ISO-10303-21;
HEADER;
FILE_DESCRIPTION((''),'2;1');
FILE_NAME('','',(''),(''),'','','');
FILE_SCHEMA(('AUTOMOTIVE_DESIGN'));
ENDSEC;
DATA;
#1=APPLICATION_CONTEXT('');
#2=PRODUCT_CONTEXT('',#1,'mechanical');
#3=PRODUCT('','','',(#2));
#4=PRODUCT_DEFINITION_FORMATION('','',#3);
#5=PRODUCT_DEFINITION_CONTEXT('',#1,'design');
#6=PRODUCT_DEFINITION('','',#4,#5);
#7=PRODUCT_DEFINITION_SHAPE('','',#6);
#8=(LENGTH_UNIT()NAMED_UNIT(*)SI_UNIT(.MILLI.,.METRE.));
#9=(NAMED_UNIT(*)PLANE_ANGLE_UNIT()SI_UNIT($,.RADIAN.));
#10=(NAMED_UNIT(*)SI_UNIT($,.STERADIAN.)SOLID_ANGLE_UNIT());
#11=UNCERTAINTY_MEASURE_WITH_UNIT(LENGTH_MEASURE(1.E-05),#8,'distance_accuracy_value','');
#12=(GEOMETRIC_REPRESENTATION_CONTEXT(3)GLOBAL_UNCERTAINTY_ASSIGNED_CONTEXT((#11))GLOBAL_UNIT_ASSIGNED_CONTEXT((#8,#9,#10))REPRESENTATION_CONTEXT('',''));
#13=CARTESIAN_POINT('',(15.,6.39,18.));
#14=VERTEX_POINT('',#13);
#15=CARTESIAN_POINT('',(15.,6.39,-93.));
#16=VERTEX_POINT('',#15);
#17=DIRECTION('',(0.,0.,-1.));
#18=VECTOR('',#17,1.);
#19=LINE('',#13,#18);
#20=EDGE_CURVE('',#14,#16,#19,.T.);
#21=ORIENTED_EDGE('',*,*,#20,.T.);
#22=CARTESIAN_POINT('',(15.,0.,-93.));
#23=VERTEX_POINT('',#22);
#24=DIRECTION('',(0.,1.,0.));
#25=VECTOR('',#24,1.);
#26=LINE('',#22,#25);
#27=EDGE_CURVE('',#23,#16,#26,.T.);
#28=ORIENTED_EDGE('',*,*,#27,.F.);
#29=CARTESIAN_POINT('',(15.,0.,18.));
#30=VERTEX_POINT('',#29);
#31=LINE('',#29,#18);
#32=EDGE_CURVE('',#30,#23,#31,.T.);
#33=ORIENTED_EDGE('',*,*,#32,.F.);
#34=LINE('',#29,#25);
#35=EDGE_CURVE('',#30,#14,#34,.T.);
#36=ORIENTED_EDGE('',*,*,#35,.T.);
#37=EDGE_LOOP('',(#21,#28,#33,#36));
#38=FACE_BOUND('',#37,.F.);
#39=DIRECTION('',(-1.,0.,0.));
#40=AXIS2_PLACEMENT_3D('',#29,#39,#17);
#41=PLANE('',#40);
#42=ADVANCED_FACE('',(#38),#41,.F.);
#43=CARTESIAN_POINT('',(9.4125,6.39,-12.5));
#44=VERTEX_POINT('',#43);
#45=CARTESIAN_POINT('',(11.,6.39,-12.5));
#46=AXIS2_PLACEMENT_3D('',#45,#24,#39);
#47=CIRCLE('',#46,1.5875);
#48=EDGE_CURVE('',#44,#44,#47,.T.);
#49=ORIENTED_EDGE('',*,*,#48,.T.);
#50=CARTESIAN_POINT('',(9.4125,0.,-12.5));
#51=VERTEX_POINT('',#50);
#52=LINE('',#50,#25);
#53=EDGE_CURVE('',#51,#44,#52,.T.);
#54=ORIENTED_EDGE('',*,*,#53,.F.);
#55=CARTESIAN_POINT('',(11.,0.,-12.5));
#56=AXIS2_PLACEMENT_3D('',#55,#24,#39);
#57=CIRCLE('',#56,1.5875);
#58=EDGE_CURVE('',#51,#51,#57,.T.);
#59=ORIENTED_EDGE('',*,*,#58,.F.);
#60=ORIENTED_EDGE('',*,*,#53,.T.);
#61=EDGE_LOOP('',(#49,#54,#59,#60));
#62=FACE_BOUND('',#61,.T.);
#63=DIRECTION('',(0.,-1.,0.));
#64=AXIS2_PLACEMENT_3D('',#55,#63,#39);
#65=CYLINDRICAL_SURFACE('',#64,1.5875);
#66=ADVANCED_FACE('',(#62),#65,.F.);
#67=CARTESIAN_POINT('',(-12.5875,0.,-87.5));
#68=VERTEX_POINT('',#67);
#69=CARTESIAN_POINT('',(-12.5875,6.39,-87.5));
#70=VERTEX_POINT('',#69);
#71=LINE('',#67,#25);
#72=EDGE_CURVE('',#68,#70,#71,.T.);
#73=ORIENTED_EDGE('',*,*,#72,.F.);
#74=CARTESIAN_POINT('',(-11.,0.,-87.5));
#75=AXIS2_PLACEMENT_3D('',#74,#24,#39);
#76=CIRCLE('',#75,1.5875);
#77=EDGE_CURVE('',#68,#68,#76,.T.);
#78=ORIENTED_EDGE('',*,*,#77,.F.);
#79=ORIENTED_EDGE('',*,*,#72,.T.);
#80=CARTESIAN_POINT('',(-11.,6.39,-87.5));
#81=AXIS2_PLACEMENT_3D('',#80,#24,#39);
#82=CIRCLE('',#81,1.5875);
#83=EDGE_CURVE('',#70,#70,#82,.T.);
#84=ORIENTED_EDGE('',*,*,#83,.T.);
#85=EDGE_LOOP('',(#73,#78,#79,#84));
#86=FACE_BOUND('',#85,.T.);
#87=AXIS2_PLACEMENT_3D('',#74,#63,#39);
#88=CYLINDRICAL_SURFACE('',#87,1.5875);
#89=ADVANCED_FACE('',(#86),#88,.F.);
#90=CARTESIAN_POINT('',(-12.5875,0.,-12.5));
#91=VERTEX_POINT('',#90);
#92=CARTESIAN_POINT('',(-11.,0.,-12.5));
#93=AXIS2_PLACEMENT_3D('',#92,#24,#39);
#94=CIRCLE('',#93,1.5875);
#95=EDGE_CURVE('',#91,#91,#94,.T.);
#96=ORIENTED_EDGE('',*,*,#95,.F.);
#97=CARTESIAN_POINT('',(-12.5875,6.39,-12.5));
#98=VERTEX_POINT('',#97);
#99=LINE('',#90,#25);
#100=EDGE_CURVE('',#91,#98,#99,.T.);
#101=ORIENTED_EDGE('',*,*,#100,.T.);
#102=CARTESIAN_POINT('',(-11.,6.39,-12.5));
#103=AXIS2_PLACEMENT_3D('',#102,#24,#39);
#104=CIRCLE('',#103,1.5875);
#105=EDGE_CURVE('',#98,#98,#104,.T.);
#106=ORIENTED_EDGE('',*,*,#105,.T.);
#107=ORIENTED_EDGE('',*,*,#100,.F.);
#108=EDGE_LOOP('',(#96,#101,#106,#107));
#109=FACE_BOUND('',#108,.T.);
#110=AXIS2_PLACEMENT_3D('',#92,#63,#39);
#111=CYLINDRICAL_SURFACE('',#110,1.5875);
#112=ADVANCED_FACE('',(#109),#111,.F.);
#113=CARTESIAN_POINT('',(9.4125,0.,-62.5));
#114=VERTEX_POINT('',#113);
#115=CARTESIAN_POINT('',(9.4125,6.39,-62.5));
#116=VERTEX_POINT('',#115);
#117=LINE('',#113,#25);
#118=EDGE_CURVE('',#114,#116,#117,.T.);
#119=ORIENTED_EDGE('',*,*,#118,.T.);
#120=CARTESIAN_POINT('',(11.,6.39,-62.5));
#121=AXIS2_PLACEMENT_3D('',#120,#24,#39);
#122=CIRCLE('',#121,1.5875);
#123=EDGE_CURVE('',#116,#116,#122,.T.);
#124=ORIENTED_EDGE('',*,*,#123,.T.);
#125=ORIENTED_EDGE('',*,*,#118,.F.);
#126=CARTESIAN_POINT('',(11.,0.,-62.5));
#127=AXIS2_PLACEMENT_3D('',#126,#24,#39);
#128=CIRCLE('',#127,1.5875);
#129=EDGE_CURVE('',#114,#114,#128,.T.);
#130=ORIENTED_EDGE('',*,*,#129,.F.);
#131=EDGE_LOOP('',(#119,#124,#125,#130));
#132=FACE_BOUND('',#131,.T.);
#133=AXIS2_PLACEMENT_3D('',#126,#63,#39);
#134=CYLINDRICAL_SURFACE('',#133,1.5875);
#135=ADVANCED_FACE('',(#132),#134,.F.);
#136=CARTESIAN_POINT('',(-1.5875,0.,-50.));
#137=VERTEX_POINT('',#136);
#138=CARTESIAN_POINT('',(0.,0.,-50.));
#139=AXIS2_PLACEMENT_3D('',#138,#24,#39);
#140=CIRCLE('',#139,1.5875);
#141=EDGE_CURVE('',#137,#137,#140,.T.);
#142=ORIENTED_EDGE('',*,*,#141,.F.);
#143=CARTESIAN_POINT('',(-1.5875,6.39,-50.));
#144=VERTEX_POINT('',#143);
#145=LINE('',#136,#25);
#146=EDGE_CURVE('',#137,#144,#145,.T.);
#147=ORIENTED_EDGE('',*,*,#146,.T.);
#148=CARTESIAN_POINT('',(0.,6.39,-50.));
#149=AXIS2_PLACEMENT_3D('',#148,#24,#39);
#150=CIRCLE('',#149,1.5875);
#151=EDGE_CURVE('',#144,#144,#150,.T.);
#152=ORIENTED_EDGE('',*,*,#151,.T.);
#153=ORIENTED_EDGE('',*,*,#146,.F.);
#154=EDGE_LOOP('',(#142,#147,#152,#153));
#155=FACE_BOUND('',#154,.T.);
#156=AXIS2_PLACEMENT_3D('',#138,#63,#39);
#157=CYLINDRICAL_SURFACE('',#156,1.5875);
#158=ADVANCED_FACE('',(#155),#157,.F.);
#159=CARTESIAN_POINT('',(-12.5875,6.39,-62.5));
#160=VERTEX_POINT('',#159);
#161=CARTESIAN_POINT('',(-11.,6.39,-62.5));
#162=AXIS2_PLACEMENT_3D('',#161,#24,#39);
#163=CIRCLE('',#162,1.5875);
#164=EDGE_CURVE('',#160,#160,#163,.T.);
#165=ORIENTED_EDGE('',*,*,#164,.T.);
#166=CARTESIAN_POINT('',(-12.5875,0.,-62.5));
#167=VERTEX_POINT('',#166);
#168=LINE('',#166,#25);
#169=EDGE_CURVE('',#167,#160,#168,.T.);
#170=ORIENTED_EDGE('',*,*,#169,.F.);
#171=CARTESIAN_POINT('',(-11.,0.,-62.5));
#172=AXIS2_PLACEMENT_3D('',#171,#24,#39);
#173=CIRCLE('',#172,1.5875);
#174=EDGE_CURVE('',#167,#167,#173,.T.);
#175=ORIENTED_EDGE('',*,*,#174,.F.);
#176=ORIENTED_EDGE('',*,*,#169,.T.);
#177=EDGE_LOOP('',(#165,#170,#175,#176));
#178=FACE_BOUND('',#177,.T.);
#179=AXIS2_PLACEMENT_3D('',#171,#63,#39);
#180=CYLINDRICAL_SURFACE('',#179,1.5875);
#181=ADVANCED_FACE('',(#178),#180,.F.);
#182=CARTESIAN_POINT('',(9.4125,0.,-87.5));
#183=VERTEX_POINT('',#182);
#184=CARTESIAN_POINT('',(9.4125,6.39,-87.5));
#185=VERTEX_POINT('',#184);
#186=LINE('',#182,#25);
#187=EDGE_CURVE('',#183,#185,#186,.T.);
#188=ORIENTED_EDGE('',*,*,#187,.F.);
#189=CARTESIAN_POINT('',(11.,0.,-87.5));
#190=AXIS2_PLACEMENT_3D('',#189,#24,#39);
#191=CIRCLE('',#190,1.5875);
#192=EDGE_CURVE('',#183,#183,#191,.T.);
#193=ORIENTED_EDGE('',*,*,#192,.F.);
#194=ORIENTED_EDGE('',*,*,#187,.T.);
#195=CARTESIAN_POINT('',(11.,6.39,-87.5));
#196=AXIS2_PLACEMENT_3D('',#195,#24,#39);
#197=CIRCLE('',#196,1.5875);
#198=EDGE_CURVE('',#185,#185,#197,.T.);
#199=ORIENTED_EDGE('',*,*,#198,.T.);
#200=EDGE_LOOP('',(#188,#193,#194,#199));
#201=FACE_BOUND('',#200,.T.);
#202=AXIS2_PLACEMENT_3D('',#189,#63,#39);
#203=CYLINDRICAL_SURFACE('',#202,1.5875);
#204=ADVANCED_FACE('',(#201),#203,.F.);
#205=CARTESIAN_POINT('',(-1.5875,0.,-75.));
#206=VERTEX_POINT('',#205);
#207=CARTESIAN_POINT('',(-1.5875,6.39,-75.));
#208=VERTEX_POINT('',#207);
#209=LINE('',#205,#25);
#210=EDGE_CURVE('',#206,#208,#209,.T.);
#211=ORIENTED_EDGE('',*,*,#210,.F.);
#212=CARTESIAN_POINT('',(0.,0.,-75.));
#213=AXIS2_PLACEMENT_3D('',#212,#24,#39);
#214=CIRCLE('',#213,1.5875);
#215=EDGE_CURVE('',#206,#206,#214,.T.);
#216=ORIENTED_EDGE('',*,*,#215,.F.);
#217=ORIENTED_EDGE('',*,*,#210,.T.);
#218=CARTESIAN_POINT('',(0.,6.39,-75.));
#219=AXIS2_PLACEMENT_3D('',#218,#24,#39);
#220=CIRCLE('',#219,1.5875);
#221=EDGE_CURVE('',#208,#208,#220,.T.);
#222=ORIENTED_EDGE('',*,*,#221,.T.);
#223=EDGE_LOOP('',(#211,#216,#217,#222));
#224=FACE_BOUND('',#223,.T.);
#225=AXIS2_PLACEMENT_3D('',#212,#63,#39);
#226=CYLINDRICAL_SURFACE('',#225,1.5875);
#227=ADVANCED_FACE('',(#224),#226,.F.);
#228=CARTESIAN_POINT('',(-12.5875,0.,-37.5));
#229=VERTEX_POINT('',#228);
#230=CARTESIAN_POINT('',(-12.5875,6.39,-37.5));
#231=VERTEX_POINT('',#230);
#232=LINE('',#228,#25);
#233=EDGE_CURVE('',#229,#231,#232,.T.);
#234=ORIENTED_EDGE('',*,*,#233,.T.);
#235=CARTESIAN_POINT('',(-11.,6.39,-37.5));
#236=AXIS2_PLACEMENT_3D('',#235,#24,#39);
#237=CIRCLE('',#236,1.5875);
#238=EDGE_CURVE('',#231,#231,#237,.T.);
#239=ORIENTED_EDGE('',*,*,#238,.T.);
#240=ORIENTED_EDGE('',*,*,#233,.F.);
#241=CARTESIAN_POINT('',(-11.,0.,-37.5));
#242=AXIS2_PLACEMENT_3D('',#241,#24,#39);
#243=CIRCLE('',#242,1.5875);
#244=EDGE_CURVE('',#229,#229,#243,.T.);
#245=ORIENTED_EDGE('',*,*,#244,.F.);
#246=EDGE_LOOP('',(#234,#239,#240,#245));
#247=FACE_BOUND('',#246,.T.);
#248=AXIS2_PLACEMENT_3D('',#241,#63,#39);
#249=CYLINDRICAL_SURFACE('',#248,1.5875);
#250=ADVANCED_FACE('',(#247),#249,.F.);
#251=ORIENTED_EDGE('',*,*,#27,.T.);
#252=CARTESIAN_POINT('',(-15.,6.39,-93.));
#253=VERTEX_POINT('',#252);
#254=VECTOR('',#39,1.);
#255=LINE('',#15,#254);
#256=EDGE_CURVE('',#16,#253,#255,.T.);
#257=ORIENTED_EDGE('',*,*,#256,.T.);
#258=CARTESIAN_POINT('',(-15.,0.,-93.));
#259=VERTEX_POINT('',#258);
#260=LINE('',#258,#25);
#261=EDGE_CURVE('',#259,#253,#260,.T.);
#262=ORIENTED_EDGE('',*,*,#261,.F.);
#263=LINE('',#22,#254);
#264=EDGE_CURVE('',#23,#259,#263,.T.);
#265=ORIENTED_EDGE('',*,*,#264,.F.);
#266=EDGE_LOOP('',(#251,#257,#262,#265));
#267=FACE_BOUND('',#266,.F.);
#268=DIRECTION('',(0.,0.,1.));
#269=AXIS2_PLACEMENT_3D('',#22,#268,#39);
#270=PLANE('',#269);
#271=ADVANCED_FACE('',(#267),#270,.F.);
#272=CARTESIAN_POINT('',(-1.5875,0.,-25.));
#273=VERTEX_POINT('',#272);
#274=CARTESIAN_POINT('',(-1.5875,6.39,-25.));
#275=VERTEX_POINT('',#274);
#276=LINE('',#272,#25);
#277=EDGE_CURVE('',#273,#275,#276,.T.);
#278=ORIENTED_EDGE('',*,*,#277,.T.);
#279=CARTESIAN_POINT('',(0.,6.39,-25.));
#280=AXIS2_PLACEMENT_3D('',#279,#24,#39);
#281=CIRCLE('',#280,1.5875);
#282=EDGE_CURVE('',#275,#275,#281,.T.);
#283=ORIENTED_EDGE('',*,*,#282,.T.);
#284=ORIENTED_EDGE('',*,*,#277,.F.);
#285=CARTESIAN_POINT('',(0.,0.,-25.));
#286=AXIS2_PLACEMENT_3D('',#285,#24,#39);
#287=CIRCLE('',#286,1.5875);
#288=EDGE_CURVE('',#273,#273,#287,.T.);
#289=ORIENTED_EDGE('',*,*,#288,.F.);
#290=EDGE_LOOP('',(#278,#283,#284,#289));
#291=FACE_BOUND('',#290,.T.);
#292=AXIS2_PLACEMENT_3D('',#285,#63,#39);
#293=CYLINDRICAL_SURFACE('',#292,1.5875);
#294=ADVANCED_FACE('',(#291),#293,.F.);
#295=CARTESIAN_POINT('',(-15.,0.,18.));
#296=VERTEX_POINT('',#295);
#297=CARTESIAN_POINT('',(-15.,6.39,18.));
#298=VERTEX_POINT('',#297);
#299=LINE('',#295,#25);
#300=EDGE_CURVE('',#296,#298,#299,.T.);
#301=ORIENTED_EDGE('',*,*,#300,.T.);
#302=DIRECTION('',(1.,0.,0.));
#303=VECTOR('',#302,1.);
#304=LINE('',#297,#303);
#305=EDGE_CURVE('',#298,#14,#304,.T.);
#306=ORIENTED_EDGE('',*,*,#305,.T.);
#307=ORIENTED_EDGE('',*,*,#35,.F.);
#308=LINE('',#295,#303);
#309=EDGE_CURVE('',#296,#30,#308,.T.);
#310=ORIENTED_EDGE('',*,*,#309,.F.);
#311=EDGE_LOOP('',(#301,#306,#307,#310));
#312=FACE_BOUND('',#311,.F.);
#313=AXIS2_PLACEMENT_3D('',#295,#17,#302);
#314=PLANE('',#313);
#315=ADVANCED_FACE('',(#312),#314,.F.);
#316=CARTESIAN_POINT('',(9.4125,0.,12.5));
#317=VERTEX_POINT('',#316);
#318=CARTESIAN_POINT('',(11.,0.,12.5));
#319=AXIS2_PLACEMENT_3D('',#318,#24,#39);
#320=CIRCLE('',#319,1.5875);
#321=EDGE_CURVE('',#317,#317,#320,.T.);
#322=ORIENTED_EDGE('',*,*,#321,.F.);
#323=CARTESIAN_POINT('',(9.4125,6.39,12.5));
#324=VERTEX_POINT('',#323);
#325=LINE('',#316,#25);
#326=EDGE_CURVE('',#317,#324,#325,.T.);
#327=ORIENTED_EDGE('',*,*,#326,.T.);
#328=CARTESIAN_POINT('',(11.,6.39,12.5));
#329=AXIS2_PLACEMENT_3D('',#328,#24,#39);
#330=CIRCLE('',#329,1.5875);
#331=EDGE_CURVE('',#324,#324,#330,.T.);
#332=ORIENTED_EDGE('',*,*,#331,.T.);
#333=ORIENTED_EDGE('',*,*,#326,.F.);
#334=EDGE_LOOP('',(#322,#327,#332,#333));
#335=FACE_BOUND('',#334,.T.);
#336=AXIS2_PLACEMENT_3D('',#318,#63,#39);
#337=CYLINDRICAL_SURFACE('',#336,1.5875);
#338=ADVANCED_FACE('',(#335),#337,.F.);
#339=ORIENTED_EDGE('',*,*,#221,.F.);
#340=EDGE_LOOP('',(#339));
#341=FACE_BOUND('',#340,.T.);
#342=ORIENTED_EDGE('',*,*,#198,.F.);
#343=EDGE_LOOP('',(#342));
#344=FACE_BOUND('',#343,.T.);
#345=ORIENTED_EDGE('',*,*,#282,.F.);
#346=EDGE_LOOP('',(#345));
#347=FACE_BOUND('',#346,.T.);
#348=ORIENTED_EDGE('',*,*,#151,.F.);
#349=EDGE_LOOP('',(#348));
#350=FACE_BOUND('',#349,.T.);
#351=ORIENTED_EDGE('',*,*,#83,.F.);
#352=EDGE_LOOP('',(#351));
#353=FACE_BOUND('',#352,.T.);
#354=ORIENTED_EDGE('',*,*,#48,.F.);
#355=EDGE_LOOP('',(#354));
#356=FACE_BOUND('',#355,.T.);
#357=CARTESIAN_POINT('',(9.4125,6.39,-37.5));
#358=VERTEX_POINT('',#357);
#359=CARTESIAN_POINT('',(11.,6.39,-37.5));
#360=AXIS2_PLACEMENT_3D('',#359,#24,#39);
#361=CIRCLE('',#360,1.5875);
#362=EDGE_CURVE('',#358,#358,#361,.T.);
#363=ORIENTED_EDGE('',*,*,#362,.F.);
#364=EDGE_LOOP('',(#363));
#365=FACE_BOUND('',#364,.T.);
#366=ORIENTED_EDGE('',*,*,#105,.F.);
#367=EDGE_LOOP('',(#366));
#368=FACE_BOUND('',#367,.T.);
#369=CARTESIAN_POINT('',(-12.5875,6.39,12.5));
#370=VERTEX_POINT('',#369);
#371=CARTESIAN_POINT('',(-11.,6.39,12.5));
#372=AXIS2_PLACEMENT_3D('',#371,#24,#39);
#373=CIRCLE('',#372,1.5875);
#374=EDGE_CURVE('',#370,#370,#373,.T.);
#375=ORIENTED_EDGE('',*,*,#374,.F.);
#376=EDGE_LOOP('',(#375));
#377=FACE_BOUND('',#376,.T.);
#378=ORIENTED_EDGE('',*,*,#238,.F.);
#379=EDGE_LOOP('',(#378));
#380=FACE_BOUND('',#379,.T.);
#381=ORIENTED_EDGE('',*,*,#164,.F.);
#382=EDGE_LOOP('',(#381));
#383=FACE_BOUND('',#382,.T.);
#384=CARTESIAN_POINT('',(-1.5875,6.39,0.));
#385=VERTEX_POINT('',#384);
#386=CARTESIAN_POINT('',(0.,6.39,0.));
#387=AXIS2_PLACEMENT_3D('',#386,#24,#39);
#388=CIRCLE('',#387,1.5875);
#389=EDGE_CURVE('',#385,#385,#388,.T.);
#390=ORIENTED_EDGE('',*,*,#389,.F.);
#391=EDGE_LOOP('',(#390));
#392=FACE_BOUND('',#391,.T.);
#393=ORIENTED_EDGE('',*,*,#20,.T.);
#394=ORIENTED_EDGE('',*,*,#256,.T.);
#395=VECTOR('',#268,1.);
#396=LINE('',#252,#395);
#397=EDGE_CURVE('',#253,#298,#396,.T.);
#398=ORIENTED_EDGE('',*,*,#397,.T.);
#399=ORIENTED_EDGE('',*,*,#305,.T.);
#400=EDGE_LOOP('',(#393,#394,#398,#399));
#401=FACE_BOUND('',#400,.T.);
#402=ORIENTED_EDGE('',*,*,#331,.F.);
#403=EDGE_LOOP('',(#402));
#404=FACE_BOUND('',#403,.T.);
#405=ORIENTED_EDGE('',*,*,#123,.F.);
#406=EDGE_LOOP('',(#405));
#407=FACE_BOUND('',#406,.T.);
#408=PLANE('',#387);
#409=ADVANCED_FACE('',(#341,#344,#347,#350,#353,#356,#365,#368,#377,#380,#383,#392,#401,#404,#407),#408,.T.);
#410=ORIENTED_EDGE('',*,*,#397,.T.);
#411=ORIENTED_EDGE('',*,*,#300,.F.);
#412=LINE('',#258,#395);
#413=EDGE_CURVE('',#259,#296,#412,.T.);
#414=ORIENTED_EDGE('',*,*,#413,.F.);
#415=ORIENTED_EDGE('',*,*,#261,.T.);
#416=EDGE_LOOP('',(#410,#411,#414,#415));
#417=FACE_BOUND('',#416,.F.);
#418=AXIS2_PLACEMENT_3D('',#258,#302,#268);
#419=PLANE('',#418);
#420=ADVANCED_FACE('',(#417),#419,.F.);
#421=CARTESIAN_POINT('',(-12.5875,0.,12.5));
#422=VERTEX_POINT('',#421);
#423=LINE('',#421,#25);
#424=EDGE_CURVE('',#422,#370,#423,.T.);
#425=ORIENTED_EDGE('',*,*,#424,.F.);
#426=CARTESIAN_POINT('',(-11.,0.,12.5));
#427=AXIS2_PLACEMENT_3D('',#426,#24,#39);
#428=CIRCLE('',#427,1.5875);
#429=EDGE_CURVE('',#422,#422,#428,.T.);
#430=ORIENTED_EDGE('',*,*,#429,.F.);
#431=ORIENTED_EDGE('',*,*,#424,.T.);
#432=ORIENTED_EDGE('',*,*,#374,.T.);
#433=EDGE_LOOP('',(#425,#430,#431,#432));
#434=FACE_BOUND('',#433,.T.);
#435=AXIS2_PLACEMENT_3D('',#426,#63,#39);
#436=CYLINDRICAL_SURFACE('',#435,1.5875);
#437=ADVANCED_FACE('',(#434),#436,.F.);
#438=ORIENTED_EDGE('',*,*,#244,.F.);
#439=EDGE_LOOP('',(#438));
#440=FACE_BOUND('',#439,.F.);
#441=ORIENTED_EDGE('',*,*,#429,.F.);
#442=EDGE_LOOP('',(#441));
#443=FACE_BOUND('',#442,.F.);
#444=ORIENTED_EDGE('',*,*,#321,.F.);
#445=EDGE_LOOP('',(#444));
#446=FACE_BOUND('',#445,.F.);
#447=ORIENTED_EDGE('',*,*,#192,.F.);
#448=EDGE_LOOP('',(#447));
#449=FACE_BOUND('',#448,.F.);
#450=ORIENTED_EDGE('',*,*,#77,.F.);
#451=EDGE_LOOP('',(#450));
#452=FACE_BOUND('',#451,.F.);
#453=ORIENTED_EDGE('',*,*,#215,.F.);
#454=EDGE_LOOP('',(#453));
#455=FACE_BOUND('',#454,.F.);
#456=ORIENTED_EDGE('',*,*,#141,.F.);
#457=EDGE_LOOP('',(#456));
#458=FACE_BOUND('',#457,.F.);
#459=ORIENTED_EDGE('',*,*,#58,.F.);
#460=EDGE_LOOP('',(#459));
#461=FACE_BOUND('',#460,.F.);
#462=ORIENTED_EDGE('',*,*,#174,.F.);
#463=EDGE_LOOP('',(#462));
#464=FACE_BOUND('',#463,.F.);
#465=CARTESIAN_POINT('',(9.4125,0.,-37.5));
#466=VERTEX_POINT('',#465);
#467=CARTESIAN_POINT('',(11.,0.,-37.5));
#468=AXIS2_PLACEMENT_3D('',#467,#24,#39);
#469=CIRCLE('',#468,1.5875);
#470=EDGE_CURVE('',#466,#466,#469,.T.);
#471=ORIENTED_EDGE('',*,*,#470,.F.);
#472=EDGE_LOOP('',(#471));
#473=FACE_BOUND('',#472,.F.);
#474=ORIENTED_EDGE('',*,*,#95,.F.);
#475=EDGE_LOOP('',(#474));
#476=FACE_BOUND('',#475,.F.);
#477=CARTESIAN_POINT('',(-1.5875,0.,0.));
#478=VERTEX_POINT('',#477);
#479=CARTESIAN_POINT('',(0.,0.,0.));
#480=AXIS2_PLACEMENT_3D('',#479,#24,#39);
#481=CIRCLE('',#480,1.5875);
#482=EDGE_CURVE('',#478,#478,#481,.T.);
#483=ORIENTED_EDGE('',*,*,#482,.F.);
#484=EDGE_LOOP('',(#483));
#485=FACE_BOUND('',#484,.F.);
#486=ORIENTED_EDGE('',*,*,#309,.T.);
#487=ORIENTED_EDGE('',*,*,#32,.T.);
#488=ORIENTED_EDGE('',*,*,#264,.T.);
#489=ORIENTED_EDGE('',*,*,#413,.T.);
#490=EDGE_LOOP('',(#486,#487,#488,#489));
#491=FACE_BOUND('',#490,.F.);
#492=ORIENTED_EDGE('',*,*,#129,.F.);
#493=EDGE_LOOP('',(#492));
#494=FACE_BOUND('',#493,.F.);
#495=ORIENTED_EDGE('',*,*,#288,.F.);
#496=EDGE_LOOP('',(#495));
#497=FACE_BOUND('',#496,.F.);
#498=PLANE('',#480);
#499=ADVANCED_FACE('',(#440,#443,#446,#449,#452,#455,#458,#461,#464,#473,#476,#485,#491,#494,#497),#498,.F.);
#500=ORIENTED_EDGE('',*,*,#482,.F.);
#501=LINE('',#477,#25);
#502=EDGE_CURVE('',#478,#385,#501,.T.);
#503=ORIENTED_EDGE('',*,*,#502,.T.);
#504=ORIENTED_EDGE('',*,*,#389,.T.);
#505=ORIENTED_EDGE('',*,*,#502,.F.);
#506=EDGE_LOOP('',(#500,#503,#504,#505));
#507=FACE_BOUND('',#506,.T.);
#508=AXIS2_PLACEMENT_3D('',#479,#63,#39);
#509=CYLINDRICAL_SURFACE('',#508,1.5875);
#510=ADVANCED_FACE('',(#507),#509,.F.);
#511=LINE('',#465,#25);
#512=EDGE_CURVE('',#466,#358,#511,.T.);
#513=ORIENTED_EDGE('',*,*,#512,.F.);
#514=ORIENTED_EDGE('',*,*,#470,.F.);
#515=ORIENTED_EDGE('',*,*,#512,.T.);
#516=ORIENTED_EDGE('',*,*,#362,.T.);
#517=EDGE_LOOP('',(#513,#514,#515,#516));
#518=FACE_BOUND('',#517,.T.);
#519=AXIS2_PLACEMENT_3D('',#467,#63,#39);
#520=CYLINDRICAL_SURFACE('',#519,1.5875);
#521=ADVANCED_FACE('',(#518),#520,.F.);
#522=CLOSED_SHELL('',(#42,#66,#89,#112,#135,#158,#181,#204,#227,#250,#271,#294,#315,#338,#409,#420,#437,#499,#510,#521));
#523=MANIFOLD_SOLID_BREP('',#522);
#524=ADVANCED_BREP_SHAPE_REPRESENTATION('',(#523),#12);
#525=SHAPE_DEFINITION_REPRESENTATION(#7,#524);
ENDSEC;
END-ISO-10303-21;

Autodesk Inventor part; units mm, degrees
ref_plane "YZ Plane" through (0, 0, 0) normal (1, 0, 0) x (0, 1, 0)
ref_plane "XZ Plane" through (0, 0, 0) normal (0, 1, 0) x (-1, 0, 0)
ref_plane "XY Plane" through (0, 0, 0) normal (0, 0, 1) x (1, 0, 0)
sketch "Sketch1" plane through (0, 0, 0) normal (0, 1, 0) x (-1, 0, 0)
  circle A0 centre (0, 0) radius 10.45 construction
  circle A1 centre (0, 0) radius 1.5875
  circle A2 centre (0, -25) radius 9.9 construction
  circle A3 centre (0, -25) radius 1.5875
  circle A4 centre (0, -50) radius 9.57 construction
  circle A5 centre (0, -50) radius 1.5875
  circle A6 centre (0, -75) radius 9.35 construction
  circle A7 centre (0, -75) radius 1.5875
  line L0 (15, 18) -> (-15, 18)
  line L1 (-15, 18) -> (-15, -93)
  line L2 (-15, -93) -> (15, -93)
  line L3 (15, -93) -> (15, 18)
  circle A8 centre (0, 0) radius 11.45 construction
  circle A9 centre (0, -25) radius 10.9 construction
  circle A10 centre (0, -50) radius 10.57 construction
  circle A11 centre (0, -75) radius 10.35 construction
  circle A12 centre (11, -12.5) radius 1.5875
  line L4 (0, 0) -> (0, -25) construction
  line L5 (0, 0) -> (-15, 0) construction
  line L6 (0, -25) -> (-15, -25) construction
  line L7 (0, -50) -> (-15, -50) construction
  line L8 (0, -75) -> (-15, -75) construction
  circle A13 centre (-11, -12.5) radius 1.5875
  circle A14 centre (11, 12.5) radius 1.5875
  circle A15 centre (-11, 12.5) radius 1.5875
  circle A16 centre (11, -37.5) radius 1.5875
  circle A17 centre (-11, -37.5) radius 1.5875
  circle A18 centre (11, -62.5) radius 1.5875
  circle A19 centre (-11, -62.5) radius 1.5875
  circle A20 centre (11, -87.5) radius 1.5875
  circle A21 centre (-11, -87.5) radius 1.5875
  point P0 (0, -12.5)
  dimension "d0" = 20.9
  dimension "d1" = 3.175
  dimension "d2" = 19.8
  dimension "d3" = 3.175
  dimension "d4" = 19.14
  dimension "d5" = 3.175
  dimension "d6" = 18.7
  dimension "d7" = 3.175
  dimension "d8" = 25
  dimension "d9" = 25
  dimension "d10" = 25
  dimension "d11" = 15
  dimension "d12" = 15
  dimension "d13" = 18
  dimension "d14" = 18
  dimension "d15" = 1
  dimension "d16" = 1
  dimension "d17" = 1
  dimension "d18" = 1
  dimension "d19" = 3.175
  dimension "d20" = 4
extrude "Extrusion2" add sketch "Sketch1" along normal blind 6.39
equation "\"d23\" = WoodThickness"
equation "\"WoodThickness\" = 6.39"
properties part number "BearingSilicone_Base"
